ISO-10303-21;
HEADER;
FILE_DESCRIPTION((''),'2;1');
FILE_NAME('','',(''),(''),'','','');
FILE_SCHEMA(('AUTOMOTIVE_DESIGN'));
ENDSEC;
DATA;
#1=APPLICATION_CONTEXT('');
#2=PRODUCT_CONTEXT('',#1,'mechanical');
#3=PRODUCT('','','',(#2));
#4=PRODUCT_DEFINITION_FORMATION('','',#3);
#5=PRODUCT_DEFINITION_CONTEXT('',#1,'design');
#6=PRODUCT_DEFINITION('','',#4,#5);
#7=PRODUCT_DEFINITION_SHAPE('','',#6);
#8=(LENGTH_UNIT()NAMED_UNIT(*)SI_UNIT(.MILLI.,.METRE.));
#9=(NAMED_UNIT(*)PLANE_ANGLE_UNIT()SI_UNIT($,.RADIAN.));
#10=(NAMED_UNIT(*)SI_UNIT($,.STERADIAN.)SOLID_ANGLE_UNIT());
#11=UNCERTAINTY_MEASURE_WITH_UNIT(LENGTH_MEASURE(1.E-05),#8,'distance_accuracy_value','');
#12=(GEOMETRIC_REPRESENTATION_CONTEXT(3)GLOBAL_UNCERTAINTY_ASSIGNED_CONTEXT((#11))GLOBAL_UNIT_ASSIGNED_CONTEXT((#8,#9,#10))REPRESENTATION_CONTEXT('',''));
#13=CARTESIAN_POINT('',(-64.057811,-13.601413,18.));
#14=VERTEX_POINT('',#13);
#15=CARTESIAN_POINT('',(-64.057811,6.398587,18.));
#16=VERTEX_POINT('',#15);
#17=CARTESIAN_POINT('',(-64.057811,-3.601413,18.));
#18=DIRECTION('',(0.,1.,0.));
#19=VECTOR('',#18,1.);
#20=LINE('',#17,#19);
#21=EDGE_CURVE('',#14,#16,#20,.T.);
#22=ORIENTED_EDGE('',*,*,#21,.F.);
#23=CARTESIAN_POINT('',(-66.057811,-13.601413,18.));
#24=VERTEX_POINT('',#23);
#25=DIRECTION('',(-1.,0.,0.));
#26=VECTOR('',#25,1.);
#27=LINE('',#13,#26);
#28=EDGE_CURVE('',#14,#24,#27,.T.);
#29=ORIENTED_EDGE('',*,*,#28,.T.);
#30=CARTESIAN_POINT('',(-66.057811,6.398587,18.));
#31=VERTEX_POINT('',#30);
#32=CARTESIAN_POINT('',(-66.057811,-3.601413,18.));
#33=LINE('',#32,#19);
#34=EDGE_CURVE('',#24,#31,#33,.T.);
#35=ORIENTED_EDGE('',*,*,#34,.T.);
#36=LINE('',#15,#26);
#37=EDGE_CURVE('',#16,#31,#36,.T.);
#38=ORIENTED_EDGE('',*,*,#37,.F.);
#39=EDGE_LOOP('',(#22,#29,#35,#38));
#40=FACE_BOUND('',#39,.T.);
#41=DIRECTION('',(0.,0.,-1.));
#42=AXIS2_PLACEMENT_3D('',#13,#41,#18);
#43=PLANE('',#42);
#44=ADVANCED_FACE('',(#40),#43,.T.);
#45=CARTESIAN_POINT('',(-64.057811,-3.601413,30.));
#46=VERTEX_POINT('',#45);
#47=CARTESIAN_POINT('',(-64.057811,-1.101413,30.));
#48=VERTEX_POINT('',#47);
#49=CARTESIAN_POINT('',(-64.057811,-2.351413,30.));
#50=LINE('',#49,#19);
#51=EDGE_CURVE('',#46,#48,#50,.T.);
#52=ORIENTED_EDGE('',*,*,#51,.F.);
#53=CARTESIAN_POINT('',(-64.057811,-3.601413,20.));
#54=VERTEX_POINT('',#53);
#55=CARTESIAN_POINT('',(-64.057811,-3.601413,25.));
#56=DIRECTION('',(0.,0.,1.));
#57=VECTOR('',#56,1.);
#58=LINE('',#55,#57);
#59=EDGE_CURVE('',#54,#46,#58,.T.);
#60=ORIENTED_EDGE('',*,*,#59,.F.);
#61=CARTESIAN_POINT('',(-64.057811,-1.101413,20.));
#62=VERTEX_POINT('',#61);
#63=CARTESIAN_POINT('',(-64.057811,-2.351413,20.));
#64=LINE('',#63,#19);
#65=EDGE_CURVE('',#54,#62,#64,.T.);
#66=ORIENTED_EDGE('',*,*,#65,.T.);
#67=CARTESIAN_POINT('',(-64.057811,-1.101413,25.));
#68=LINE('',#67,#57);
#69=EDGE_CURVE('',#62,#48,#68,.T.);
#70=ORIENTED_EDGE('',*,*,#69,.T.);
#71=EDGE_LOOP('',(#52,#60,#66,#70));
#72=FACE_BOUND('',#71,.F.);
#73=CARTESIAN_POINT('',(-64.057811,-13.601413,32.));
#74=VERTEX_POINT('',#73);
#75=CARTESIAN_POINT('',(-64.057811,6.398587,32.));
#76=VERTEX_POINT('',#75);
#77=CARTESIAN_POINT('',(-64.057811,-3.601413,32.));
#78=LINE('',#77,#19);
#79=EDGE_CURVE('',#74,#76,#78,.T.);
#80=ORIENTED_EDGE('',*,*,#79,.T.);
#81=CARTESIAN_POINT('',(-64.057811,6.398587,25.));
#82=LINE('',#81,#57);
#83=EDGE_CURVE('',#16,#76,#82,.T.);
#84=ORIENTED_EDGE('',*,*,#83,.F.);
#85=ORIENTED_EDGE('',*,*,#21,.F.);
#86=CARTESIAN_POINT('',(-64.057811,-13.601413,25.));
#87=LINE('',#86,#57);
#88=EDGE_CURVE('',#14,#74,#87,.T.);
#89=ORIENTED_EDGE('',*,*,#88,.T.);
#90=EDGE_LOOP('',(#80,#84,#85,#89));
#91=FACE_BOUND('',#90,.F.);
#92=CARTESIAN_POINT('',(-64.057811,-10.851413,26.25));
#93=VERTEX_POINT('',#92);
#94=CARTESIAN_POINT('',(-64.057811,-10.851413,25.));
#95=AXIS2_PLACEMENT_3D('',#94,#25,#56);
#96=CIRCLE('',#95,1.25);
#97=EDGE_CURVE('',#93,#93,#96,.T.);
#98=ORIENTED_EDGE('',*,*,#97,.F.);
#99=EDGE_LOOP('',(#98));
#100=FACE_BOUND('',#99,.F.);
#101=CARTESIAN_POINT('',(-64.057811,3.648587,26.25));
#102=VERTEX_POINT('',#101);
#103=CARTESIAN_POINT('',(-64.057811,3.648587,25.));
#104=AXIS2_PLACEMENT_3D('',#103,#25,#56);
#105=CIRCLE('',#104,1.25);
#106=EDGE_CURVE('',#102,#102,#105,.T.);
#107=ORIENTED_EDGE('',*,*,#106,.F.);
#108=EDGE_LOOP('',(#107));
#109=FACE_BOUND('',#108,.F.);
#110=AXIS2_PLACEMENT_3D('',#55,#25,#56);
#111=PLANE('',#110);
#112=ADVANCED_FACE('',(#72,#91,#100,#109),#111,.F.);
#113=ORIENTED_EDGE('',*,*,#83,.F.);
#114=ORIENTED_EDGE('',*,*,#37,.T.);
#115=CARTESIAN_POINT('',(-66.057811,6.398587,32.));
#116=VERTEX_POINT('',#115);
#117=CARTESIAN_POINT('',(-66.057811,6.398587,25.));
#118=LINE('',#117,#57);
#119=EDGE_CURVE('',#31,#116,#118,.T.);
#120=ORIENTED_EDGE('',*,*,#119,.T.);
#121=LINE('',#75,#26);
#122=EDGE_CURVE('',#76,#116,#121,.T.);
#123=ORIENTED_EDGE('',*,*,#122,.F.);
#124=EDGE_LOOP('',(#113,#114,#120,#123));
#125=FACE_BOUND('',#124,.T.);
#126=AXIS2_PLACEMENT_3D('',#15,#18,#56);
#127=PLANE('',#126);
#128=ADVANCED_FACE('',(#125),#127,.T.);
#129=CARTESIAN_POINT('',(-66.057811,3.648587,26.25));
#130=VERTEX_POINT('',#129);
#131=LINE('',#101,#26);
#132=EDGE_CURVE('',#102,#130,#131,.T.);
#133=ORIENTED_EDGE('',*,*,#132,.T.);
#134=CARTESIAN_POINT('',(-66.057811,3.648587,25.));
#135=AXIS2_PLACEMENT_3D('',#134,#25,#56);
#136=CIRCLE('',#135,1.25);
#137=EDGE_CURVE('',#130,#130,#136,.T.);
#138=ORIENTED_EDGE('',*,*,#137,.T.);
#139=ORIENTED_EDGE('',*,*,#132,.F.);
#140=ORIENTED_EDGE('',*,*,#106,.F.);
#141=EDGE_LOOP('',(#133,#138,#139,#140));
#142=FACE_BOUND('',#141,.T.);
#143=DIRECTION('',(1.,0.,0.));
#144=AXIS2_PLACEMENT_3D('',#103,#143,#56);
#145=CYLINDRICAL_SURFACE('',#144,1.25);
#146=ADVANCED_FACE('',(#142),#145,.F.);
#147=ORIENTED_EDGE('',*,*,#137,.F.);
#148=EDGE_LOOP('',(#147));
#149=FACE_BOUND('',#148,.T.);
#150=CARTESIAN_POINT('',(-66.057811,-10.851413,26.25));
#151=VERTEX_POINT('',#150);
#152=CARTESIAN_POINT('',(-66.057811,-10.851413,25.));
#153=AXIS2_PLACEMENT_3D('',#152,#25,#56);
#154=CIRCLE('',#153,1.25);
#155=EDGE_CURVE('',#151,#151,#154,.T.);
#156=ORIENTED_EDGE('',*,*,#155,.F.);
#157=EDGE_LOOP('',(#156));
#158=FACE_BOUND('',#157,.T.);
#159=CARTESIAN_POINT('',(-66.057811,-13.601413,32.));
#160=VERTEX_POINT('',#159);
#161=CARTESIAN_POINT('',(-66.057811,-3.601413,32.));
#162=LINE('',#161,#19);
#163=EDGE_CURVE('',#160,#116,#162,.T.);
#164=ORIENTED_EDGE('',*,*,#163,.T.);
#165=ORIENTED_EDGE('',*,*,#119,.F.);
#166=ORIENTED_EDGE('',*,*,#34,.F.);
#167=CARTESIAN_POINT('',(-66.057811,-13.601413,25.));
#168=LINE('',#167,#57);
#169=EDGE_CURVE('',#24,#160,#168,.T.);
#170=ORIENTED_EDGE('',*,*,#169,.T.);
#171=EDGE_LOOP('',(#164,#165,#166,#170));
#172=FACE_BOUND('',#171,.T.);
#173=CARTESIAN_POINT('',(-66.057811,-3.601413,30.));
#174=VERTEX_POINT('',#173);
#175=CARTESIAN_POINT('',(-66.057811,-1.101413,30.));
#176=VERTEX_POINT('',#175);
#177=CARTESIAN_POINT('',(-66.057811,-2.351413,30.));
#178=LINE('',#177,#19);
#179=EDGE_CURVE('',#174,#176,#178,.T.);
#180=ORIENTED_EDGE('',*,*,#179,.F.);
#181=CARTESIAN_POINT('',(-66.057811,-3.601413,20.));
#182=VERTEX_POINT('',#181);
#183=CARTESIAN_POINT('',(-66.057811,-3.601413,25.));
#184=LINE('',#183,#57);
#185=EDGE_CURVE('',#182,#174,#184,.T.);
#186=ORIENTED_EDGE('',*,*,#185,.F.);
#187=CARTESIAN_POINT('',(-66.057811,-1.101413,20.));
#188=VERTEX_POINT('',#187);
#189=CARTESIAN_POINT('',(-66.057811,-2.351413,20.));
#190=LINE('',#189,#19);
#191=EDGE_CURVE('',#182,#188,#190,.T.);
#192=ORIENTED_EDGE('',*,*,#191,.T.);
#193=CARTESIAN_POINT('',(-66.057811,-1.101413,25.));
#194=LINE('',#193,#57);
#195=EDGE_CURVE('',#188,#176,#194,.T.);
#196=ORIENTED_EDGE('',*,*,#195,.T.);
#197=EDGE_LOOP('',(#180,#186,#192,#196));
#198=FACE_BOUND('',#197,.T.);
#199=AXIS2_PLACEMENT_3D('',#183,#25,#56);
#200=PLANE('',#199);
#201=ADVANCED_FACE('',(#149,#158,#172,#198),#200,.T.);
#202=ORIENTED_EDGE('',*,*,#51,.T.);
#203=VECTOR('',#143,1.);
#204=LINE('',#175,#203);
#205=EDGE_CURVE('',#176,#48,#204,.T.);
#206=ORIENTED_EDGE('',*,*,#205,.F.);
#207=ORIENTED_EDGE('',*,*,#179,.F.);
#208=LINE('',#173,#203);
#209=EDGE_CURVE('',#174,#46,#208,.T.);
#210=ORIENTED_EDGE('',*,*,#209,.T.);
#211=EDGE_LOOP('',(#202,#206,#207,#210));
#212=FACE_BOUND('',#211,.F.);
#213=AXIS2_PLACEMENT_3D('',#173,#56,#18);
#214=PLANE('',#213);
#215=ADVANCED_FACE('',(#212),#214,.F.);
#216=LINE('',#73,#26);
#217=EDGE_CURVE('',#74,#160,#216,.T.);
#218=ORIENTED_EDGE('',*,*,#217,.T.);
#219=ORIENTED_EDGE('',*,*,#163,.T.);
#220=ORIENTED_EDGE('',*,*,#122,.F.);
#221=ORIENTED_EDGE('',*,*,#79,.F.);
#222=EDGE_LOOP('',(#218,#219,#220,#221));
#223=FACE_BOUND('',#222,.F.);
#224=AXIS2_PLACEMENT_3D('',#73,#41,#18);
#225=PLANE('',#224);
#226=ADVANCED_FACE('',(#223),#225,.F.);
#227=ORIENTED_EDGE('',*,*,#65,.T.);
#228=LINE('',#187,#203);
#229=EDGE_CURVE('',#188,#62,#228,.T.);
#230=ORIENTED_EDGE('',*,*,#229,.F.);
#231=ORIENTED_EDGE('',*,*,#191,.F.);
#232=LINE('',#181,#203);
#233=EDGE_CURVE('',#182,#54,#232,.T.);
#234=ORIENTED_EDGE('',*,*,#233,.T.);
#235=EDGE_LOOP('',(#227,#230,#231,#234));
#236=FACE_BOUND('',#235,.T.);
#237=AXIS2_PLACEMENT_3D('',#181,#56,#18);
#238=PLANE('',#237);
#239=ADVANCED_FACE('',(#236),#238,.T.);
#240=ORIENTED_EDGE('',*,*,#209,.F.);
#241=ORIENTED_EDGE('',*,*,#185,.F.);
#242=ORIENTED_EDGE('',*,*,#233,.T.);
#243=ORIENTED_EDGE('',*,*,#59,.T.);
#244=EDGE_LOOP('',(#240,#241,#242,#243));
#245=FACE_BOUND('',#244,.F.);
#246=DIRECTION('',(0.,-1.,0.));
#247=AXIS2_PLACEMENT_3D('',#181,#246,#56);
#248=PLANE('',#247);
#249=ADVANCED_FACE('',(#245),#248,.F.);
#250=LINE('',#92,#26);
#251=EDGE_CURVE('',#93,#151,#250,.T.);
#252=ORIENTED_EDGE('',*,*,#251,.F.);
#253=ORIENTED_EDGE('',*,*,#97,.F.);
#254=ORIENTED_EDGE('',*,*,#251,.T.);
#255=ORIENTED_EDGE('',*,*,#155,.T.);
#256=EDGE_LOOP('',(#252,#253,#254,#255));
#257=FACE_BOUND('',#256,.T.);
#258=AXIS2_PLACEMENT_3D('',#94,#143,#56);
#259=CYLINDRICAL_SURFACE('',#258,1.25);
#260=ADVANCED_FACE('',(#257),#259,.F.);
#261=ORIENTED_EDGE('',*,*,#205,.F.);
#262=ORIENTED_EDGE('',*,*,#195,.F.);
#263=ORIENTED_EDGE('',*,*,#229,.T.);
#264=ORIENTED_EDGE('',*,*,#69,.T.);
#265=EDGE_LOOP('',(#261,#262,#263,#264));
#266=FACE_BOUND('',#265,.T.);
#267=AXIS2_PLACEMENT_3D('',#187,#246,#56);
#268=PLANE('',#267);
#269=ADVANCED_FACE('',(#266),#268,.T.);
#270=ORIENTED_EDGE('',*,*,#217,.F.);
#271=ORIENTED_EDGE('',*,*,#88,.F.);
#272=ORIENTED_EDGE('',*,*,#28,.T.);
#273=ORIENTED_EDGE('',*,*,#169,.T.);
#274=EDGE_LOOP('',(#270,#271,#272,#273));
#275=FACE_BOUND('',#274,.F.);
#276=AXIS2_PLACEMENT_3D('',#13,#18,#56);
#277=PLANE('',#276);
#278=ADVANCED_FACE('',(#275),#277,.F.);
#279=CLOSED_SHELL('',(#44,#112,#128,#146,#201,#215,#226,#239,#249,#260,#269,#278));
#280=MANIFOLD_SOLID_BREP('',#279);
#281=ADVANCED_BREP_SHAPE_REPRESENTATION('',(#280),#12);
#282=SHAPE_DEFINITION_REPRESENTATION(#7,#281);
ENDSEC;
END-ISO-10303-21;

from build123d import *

# Parameters (mm, degrees)
SKETCH1_W           = 14
SKETCH1_H           = 20
SKETCH1_R           = 1.25
BOSS_EXTRUDE1_DEPTH = 2
SKETCH2_W           = 10
SKETCH2_H           = 2.5
CUT_EXTRUDE1_DEPTH  = 2


with BuildPart() as part:
    # Sketch1 → Boss-Extrude1 (new body)
    with BuildSketch(Plane.ZY.offset(64.057810508)):
        with Locations((25, -3.601413474)):
            Rectangle(SKETCH1_W, SKETCH1_H)
        with Locations((25, -10.851413474)):
            Circle(SKETCH1_R, mode=Mode.SUBTRACT)
        with Locations((25, 3.648586526)):
            Circle(SKETCH1_R, mode=Mode.SUBTRACT)
    extrude(amount=BOSS_EXTRUDE1_DEPTH)

    # Sketch2 → Cut-Extrude1 (cut)
    with BuildSketch(Plane.ZY.offset(66.057810508)):
        with Locations((25, -2.351413474)):
            Rectangle(SKETCH2_W, SKETCH2_H)
    extrude(amount=-CUT_EXTRUDE1_DEPTH, mode=Mode.SUBTRACT)


solid = part.part
